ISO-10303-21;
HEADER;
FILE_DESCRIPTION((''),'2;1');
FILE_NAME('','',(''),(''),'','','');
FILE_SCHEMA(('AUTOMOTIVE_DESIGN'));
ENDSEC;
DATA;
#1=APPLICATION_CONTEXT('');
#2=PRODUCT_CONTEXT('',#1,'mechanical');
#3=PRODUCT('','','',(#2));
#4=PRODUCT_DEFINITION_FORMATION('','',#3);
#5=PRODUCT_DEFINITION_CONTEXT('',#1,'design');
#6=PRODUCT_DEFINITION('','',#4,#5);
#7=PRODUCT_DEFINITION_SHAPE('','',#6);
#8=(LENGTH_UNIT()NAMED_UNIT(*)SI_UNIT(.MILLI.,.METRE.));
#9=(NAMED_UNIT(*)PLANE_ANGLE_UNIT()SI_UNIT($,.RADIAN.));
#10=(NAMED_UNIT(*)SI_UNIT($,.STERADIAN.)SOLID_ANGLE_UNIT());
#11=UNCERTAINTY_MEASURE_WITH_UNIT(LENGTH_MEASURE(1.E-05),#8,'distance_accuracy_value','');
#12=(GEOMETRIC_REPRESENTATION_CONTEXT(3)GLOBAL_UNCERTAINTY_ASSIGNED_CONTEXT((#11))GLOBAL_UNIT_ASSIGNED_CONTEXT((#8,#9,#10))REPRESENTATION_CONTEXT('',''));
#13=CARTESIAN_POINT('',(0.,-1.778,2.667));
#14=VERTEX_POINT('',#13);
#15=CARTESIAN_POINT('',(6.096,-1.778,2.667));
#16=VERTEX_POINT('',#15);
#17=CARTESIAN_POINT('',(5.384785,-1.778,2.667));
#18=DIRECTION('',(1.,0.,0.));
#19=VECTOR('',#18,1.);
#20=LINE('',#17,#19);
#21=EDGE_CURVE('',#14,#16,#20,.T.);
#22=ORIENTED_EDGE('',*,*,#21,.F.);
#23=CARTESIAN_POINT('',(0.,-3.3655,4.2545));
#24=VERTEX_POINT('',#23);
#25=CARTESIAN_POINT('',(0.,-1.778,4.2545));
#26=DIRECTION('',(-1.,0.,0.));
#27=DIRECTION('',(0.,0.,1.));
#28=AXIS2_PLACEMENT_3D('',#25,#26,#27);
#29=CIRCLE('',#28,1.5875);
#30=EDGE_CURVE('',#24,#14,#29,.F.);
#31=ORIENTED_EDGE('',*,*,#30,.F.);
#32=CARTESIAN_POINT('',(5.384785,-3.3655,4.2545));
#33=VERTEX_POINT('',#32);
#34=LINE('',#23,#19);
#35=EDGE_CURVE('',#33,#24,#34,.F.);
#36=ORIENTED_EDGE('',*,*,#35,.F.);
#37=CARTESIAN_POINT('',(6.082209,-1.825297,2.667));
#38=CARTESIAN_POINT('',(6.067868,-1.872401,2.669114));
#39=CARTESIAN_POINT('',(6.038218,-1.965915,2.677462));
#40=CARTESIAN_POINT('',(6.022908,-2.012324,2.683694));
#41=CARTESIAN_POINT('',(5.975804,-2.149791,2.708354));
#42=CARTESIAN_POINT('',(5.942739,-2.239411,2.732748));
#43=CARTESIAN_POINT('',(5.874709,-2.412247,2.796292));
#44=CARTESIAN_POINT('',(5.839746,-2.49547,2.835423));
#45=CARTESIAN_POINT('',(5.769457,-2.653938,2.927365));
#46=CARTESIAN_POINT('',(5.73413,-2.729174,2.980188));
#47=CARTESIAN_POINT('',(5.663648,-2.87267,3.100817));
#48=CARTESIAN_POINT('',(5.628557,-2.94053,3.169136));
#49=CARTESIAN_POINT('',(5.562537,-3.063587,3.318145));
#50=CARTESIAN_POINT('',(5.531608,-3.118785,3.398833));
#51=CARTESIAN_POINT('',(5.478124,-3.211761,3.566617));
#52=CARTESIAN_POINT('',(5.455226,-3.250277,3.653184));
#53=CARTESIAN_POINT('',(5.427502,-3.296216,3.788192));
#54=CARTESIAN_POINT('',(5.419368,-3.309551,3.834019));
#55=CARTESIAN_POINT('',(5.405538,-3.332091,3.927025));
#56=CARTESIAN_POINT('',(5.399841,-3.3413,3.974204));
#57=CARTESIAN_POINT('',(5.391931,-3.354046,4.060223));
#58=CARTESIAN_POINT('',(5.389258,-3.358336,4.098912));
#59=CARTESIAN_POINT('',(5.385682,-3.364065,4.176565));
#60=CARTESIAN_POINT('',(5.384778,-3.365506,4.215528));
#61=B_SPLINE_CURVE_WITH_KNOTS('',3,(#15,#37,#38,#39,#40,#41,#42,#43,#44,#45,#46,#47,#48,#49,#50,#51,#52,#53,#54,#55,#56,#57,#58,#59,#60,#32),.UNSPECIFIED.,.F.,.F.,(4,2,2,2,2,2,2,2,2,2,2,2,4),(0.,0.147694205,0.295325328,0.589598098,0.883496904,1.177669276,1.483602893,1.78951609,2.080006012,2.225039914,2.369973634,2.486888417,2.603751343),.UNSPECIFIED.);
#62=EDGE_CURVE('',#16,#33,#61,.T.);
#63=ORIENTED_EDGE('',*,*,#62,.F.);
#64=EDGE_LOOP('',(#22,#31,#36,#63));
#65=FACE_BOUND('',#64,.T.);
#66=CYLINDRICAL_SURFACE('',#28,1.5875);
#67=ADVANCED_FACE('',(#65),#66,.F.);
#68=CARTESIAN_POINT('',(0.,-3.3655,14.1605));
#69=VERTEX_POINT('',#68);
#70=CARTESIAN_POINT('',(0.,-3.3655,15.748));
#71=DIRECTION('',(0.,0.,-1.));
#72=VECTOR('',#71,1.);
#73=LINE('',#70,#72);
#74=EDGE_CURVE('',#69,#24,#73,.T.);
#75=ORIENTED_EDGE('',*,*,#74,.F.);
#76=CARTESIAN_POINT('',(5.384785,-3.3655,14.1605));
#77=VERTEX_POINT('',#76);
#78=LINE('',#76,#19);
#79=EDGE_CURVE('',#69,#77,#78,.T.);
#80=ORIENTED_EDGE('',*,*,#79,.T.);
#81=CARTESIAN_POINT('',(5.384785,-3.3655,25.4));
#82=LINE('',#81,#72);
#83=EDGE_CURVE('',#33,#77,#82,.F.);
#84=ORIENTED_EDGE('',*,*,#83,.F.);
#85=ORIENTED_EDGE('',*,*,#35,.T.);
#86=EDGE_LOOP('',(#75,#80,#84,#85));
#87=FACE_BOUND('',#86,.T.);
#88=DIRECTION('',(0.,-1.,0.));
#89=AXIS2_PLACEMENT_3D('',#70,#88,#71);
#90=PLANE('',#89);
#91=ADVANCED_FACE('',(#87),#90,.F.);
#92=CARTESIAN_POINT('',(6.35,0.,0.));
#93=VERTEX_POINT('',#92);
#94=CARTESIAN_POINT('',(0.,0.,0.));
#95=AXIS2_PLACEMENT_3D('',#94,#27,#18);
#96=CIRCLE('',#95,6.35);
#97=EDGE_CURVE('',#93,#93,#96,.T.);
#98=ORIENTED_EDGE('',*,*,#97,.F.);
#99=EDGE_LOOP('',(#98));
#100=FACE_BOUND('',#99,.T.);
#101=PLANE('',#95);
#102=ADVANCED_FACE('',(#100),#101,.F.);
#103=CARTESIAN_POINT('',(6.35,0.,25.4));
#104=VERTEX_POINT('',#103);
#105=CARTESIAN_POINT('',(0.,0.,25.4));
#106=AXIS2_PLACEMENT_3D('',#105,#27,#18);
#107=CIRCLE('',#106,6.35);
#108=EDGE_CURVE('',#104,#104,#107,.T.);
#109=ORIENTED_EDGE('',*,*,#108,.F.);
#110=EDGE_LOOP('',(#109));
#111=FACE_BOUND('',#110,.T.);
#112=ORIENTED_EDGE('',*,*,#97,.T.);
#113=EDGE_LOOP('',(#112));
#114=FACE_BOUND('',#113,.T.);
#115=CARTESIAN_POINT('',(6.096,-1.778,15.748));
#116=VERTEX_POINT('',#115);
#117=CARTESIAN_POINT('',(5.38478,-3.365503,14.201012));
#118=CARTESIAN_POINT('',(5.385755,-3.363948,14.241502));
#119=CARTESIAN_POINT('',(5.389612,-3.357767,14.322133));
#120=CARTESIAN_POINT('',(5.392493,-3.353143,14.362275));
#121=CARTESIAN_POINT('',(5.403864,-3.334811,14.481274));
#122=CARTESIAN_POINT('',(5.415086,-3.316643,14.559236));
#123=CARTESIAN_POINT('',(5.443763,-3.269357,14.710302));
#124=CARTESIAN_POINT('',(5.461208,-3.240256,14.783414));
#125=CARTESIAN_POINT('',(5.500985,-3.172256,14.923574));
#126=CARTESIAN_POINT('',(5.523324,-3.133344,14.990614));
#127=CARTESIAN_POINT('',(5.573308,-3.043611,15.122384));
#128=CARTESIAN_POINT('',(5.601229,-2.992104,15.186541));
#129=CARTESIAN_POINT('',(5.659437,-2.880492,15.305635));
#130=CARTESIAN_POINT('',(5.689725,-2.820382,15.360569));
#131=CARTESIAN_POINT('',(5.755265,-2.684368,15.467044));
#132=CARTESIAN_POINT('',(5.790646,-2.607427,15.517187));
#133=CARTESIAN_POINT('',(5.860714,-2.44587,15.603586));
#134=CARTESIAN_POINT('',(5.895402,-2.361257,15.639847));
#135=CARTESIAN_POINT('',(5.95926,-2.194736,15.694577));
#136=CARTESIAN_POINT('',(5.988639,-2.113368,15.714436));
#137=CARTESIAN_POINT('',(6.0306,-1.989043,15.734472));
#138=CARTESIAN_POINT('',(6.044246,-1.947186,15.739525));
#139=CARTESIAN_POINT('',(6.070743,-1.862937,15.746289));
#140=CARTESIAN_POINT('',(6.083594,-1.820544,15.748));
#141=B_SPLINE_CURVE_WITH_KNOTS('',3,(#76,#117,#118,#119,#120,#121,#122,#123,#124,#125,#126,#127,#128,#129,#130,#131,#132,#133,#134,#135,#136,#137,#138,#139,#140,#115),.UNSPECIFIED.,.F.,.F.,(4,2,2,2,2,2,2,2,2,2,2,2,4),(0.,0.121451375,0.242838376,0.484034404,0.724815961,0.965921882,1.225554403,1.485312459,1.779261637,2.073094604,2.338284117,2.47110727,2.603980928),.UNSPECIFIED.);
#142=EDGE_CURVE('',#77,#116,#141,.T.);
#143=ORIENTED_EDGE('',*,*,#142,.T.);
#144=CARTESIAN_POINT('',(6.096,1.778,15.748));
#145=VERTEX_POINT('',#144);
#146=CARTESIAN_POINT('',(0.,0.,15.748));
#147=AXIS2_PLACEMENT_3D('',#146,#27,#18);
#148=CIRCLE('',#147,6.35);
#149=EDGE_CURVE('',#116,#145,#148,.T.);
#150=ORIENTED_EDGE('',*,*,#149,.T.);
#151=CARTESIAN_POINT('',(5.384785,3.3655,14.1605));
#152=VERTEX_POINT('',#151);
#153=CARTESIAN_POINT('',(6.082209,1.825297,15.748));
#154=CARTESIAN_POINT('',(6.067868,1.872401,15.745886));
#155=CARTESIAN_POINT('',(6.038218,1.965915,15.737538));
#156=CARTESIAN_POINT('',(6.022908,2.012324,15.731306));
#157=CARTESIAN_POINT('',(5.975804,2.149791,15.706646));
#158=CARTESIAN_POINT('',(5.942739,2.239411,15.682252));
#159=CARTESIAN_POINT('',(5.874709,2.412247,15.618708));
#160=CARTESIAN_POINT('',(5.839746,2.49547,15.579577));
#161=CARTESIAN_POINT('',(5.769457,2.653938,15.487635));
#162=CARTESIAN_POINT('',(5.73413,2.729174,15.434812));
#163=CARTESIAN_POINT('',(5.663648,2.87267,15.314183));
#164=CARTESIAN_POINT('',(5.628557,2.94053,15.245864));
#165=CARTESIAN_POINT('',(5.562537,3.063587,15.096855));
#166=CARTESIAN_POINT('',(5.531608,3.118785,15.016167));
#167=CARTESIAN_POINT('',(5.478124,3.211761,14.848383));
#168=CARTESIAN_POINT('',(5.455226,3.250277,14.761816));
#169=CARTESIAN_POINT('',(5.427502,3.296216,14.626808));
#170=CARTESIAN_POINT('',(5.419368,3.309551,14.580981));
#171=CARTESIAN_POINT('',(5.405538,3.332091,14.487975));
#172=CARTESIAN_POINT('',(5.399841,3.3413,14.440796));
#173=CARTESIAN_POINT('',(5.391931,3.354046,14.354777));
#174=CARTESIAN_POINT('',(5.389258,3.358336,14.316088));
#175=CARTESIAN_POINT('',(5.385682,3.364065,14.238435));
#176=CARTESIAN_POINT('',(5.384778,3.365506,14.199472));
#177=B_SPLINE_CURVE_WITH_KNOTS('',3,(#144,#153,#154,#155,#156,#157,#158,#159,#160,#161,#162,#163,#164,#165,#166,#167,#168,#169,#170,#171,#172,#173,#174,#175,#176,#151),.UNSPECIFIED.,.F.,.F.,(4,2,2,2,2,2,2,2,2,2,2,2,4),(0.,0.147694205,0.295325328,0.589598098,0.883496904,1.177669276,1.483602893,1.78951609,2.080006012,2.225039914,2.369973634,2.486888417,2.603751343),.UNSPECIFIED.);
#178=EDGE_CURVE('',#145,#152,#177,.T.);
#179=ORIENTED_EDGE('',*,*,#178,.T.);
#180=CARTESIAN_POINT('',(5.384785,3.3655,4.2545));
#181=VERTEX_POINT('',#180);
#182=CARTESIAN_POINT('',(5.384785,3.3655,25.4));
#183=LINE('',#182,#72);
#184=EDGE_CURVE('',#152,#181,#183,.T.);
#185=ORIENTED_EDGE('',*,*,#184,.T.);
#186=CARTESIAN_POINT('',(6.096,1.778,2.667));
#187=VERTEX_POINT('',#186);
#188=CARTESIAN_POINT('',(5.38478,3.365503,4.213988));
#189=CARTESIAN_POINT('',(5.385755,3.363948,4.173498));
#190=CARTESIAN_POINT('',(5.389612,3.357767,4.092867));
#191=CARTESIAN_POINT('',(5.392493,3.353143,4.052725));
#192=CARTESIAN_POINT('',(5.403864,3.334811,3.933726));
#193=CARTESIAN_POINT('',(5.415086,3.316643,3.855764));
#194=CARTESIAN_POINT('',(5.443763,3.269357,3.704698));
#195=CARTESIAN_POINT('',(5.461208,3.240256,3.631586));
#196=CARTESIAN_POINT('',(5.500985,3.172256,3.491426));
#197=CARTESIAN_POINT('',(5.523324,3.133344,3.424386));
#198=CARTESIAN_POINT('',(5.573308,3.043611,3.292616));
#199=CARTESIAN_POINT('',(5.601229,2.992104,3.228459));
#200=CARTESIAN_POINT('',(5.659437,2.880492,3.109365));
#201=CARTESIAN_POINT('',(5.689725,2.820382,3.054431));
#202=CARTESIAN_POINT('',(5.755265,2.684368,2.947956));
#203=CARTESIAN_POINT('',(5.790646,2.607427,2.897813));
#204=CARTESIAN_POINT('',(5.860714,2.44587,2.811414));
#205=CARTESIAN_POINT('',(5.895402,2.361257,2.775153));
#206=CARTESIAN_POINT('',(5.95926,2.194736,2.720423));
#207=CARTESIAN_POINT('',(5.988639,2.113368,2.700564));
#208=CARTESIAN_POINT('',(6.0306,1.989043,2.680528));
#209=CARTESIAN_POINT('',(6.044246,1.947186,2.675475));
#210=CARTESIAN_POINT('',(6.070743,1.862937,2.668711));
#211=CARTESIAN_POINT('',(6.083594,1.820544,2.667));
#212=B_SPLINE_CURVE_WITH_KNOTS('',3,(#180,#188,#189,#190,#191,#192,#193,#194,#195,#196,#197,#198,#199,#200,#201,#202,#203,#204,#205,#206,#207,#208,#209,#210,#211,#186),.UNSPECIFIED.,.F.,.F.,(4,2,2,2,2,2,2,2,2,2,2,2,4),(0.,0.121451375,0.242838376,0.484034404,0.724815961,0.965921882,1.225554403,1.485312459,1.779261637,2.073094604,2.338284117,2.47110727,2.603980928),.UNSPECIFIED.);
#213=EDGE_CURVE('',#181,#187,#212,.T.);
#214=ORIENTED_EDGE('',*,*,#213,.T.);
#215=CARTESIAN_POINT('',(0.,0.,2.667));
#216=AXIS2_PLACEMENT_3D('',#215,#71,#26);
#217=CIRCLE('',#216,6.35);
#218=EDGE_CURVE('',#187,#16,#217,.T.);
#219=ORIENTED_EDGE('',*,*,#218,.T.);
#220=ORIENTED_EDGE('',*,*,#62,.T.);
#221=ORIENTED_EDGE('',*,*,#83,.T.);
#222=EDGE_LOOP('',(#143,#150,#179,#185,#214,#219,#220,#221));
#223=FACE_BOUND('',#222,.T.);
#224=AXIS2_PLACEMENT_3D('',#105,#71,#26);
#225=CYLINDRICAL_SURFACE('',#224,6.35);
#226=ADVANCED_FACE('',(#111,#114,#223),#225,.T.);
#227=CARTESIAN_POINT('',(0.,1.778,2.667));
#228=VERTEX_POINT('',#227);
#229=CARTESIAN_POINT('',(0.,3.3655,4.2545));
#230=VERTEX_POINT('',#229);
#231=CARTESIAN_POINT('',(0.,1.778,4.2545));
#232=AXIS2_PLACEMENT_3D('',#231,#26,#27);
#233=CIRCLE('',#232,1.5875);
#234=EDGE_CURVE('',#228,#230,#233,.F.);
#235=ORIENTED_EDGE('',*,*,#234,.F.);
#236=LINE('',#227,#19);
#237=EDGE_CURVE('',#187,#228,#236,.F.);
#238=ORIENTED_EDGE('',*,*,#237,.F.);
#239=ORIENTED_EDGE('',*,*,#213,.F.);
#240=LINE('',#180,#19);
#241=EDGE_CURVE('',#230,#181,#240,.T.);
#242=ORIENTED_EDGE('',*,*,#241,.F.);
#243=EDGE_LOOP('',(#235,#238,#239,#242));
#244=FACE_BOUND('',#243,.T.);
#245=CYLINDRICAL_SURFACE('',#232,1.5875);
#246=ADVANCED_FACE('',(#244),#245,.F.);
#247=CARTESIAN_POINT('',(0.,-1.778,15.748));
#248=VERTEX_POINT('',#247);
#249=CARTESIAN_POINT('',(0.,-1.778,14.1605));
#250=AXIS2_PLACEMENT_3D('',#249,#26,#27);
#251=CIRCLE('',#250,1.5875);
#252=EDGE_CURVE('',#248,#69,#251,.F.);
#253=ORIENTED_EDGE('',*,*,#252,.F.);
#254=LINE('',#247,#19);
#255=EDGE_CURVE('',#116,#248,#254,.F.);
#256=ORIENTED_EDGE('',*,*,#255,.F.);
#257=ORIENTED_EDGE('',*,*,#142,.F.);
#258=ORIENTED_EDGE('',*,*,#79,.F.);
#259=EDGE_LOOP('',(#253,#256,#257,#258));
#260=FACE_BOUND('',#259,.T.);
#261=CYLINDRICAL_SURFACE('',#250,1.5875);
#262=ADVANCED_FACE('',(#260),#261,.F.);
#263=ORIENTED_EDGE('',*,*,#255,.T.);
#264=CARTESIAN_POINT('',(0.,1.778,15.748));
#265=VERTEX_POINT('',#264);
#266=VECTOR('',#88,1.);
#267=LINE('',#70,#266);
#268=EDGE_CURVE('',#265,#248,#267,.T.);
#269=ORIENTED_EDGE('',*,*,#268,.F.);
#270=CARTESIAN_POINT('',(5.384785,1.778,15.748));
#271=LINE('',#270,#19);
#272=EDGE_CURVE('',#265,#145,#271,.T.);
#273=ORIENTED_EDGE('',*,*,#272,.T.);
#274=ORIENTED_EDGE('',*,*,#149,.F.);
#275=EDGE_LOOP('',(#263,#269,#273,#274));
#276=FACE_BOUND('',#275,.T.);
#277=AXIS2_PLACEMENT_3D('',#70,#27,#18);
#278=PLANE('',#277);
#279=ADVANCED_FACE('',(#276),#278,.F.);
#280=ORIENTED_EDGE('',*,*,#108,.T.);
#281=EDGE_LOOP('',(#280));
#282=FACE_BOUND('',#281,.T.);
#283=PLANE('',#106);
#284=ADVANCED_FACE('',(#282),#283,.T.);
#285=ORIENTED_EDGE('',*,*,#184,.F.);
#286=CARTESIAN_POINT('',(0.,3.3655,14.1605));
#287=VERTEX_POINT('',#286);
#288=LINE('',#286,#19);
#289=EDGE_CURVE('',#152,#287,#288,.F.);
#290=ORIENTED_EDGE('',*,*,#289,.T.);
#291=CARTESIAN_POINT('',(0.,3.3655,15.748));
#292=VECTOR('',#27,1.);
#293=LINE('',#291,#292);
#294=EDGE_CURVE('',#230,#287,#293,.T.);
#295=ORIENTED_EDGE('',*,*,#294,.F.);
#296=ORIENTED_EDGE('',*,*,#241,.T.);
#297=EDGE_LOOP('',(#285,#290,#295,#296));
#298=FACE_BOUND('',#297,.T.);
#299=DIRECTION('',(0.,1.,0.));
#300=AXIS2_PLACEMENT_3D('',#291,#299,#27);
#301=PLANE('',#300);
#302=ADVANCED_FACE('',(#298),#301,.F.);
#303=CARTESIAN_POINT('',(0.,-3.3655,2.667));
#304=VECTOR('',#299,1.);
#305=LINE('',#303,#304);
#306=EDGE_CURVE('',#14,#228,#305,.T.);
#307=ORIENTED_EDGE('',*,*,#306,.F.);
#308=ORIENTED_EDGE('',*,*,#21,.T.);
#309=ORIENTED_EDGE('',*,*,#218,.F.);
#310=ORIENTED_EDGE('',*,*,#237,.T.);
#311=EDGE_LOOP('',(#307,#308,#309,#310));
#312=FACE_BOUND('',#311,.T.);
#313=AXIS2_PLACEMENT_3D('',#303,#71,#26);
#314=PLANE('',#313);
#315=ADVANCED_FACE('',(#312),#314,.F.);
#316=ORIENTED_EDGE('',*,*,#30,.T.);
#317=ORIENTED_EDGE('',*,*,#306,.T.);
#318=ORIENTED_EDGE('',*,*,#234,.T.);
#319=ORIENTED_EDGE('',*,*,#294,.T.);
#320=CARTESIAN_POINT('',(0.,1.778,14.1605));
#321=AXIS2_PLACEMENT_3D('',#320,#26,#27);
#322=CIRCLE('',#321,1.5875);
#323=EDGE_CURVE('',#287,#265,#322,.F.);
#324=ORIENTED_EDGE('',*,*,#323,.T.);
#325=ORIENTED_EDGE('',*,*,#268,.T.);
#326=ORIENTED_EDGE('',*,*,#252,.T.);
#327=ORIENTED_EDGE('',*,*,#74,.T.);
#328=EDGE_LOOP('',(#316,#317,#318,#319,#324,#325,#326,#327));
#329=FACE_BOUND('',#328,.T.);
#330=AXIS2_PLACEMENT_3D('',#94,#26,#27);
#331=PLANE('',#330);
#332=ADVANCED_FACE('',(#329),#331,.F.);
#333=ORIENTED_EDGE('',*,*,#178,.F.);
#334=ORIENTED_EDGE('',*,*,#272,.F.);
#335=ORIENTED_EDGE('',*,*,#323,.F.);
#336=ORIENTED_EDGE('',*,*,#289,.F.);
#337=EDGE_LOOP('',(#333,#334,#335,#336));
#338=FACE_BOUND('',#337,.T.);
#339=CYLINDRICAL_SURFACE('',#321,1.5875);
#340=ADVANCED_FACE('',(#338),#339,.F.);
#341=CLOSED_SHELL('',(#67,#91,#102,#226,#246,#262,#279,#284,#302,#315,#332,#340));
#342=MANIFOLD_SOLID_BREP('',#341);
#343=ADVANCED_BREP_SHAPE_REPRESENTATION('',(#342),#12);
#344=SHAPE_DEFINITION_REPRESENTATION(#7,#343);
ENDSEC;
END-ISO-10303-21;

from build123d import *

# Parameters (mm, degrees)
SKETCH1_R           = 6.35
BOSS_EXTRUDE1_DEPTH = 25.4
SKETCH4_W           = 13.081
SKETCH4_H           = 6.731
CUT_EXTRUDE1_DEPTH  = 6.35
FILLET1_R           = 1.5875


with BuildPart() as part:
    # Sketch1 → Boss-Extrude1 (new body)
    with BuildSketch(Plane.XY):
        Circle(SKETCH1_R)
    extrude(amount=BOSS_EXTRUDE1_DEPTH)

    # Sketch4 → Cut-Extrude1 (cut)
    with BuildSketch(Plane(origin=(6.35, 0, 0), x_dir=(0, 0, -1), z_dir=(1, 0, 0))):
        with Locations((-9.2075, 0)):
            Rectangle(SKETCH4_W, SKETCH4_H)
    extrude(amount=-CUT_EXTRUDE1_DEPTH, mode=Mode.SUBTRACT)

    # Fillet1
    fillet1_edges = [part.edges().sort_by_distance(p)[0] for p in [
        (2.692392512, -3.3655, 15.748),
        (2.692392512, 3.3655, 15.748),
        (2.692392512, 3.3655, 2.667),
        (2.692392512, -3.3655, 2.667),
    ]]
    fillet(fillet1_edges, radius=FILLET1_R)


solid = part.part
